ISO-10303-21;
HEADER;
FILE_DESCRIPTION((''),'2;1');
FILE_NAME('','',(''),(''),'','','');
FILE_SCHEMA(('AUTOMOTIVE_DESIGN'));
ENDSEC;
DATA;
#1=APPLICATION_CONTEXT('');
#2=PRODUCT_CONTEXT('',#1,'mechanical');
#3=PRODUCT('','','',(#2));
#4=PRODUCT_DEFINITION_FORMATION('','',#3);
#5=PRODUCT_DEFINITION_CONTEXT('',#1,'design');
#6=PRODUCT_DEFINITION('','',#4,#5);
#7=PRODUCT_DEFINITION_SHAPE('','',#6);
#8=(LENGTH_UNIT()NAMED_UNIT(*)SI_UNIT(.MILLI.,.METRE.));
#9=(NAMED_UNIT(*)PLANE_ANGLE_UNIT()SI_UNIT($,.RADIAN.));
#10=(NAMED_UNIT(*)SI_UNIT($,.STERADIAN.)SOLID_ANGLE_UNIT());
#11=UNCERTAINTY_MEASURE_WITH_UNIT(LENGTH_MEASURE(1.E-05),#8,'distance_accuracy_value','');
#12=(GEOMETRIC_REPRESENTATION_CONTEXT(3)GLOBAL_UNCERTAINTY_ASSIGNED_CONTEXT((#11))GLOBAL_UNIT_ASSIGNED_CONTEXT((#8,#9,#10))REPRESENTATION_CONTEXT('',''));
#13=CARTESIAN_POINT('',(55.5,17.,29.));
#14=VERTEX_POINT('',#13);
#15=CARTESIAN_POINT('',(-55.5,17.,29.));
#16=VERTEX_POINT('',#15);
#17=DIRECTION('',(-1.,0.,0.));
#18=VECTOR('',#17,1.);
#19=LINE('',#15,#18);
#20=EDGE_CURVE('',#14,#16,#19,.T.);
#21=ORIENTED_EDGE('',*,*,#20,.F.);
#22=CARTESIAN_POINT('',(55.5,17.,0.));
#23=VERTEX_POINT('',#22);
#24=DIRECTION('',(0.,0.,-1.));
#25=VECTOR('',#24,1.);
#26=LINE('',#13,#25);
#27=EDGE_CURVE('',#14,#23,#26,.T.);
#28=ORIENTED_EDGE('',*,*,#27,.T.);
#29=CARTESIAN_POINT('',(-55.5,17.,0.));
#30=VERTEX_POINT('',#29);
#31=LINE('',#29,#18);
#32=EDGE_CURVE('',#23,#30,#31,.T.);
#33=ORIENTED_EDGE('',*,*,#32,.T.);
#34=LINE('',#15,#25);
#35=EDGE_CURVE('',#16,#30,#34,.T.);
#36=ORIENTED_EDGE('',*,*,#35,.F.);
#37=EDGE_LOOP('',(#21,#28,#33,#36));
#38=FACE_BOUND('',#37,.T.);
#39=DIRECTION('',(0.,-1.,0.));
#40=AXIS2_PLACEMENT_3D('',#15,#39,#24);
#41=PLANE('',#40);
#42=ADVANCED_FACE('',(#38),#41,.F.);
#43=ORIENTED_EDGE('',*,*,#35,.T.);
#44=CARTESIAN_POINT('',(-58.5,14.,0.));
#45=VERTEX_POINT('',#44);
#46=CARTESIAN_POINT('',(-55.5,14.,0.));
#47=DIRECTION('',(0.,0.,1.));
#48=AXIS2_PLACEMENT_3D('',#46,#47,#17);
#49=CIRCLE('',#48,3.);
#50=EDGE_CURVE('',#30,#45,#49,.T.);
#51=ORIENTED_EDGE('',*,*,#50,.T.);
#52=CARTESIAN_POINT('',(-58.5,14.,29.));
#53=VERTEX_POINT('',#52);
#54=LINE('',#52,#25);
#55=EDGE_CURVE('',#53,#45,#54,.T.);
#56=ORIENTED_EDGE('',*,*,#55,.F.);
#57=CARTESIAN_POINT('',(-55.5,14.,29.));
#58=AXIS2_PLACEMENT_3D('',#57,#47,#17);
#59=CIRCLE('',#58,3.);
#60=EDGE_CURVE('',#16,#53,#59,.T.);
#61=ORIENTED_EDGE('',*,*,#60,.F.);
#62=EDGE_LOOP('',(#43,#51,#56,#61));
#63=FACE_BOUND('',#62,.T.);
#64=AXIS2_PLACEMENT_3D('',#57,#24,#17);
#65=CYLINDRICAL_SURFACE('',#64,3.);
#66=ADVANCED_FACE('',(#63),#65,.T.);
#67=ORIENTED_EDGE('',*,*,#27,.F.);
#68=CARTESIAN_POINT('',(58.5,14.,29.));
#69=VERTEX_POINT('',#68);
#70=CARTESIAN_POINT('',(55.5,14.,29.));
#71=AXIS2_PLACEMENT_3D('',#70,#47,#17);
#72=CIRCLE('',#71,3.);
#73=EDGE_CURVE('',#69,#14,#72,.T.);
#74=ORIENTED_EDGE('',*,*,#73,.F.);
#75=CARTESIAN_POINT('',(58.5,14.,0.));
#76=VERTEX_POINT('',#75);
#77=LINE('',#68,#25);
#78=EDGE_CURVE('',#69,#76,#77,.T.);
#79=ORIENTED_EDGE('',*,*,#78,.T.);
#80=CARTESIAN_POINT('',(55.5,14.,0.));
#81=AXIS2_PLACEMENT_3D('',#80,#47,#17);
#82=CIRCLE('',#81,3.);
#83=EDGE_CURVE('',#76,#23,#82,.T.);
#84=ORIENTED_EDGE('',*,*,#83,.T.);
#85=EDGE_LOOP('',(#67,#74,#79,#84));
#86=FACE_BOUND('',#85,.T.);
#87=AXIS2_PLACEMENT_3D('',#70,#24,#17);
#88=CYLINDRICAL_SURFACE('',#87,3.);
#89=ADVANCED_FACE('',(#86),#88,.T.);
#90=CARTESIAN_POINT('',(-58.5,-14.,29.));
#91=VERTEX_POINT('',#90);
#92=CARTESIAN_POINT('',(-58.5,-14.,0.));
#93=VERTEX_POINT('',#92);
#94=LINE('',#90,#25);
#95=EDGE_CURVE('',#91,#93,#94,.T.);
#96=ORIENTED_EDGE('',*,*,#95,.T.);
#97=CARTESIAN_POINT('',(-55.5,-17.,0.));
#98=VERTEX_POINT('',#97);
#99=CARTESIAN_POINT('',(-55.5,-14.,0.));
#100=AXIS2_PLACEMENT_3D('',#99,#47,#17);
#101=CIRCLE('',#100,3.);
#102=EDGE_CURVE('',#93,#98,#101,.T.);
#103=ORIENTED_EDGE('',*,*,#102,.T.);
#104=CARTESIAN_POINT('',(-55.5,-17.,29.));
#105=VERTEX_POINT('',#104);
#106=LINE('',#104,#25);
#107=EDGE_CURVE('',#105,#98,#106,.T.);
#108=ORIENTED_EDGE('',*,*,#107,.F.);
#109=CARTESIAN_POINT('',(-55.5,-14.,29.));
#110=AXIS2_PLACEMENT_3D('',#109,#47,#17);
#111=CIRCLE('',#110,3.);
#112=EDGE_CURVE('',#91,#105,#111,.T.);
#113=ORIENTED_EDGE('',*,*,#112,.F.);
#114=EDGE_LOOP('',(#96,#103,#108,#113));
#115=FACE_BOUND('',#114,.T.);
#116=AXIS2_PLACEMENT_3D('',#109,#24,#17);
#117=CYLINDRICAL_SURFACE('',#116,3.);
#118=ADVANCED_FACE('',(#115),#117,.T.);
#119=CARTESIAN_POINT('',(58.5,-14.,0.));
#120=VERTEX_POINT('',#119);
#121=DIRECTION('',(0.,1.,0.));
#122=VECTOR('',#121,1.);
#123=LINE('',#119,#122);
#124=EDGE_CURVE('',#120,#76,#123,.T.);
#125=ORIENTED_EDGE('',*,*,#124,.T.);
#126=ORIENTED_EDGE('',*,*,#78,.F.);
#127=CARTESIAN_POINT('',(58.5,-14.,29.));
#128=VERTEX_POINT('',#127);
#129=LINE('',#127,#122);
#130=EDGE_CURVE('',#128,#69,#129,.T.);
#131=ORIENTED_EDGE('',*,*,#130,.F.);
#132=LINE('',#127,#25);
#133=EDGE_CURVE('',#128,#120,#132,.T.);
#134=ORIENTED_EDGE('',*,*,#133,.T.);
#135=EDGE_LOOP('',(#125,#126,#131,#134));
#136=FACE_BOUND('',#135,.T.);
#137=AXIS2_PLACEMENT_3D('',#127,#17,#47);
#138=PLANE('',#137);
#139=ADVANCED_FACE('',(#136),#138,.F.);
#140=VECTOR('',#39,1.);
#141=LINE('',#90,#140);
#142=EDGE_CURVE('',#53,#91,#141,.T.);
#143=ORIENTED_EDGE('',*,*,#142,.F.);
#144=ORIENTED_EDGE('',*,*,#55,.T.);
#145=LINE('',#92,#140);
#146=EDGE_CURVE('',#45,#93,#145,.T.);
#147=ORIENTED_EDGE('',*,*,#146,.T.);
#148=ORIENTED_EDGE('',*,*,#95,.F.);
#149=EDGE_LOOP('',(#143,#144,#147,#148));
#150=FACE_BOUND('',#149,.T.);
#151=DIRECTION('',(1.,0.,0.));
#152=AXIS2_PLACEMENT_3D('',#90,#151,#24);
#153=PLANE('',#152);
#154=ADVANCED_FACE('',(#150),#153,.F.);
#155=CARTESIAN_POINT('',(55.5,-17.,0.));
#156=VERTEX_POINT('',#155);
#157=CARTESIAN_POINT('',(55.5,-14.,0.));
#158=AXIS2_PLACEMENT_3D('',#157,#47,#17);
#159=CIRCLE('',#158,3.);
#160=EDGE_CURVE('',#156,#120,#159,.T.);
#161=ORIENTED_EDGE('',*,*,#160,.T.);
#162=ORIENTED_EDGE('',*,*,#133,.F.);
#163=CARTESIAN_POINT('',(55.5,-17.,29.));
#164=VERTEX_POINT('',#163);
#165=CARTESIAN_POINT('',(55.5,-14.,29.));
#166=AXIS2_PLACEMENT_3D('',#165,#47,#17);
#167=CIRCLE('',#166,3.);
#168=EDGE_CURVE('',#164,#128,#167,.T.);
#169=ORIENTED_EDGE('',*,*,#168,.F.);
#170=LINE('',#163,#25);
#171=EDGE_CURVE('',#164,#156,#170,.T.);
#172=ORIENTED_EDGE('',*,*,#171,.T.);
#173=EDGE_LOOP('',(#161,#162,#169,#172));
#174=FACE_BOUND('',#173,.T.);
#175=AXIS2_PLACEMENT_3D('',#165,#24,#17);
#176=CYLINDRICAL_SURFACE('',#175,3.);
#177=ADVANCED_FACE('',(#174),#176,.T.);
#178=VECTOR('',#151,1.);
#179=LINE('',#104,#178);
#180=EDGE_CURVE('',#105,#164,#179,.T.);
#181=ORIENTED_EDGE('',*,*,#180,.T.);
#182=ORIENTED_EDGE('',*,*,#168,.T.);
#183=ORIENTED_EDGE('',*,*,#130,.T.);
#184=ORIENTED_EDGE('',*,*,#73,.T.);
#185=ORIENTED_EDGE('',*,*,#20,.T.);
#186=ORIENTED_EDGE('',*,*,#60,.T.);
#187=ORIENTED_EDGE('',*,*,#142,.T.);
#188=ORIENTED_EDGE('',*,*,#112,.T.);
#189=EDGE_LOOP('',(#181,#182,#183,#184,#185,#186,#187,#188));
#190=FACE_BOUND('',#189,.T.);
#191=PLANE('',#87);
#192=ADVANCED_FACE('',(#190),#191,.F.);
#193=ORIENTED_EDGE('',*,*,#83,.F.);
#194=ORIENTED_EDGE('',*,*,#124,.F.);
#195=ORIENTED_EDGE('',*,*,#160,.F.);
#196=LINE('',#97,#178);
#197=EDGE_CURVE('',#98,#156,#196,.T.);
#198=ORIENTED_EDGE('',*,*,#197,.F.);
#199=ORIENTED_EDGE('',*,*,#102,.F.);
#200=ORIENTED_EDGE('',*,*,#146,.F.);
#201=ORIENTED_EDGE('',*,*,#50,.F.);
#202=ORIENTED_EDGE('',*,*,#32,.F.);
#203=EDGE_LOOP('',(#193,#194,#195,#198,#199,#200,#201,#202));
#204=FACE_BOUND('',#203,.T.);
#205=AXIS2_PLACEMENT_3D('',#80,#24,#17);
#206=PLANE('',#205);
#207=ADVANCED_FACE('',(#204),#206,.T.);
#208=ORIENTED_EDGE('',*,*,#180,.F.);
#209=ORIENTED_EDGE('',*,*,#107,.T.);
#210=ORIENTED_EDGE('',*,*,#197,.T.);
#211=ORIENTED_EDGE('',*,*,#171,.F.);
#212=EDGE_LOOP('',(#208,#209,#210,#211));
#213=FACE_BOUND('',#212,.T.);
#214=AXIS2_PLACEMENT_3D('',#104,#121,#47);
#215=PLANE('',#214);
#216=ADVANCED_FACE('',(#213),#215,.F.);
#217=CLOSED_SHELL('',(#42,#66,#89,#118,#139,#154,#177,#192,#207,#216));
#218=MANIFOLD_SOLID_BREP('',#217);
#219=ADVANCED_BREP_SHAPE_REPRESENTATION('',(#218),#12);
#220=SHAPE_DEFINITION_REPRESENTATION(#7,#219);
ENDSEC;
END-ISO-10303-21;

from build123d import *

# Parameters (mm, degrees)
EXTRUDE_1_DEPTH = 29


with BuildPart() as part:
    # 草图1 → 凸台-拉伸1 (new body)
    with BuildSketch(Plane.XY):
        with BuildLine():
            Line((-55.5, -17), (55.5, -17))
            ThreePointArc((55.5, -17), (57.621320344, -16.121320344), (58.5, -14))
            Line((58.5, -14), (58.5, 14))
            ThreePointArc((58.5, 14), (57.621320344, 16.121320344), (55.5, 17))
            Line((55.5, 17), (-55.5, 17))
            ThreePointArc((-55.5, 17), (-57.621320344, 16.121320344), (-58.5, 14))
            Line((-58.5, 14), (-58.5, -14))
            ThreePointArc((-58.5, -14), (-57.621320344, -16.121320344), (-55.5, -17))
        make_face()
    extrude(amount=EXTRUDE_1_DEPTH)


solid = part.part
